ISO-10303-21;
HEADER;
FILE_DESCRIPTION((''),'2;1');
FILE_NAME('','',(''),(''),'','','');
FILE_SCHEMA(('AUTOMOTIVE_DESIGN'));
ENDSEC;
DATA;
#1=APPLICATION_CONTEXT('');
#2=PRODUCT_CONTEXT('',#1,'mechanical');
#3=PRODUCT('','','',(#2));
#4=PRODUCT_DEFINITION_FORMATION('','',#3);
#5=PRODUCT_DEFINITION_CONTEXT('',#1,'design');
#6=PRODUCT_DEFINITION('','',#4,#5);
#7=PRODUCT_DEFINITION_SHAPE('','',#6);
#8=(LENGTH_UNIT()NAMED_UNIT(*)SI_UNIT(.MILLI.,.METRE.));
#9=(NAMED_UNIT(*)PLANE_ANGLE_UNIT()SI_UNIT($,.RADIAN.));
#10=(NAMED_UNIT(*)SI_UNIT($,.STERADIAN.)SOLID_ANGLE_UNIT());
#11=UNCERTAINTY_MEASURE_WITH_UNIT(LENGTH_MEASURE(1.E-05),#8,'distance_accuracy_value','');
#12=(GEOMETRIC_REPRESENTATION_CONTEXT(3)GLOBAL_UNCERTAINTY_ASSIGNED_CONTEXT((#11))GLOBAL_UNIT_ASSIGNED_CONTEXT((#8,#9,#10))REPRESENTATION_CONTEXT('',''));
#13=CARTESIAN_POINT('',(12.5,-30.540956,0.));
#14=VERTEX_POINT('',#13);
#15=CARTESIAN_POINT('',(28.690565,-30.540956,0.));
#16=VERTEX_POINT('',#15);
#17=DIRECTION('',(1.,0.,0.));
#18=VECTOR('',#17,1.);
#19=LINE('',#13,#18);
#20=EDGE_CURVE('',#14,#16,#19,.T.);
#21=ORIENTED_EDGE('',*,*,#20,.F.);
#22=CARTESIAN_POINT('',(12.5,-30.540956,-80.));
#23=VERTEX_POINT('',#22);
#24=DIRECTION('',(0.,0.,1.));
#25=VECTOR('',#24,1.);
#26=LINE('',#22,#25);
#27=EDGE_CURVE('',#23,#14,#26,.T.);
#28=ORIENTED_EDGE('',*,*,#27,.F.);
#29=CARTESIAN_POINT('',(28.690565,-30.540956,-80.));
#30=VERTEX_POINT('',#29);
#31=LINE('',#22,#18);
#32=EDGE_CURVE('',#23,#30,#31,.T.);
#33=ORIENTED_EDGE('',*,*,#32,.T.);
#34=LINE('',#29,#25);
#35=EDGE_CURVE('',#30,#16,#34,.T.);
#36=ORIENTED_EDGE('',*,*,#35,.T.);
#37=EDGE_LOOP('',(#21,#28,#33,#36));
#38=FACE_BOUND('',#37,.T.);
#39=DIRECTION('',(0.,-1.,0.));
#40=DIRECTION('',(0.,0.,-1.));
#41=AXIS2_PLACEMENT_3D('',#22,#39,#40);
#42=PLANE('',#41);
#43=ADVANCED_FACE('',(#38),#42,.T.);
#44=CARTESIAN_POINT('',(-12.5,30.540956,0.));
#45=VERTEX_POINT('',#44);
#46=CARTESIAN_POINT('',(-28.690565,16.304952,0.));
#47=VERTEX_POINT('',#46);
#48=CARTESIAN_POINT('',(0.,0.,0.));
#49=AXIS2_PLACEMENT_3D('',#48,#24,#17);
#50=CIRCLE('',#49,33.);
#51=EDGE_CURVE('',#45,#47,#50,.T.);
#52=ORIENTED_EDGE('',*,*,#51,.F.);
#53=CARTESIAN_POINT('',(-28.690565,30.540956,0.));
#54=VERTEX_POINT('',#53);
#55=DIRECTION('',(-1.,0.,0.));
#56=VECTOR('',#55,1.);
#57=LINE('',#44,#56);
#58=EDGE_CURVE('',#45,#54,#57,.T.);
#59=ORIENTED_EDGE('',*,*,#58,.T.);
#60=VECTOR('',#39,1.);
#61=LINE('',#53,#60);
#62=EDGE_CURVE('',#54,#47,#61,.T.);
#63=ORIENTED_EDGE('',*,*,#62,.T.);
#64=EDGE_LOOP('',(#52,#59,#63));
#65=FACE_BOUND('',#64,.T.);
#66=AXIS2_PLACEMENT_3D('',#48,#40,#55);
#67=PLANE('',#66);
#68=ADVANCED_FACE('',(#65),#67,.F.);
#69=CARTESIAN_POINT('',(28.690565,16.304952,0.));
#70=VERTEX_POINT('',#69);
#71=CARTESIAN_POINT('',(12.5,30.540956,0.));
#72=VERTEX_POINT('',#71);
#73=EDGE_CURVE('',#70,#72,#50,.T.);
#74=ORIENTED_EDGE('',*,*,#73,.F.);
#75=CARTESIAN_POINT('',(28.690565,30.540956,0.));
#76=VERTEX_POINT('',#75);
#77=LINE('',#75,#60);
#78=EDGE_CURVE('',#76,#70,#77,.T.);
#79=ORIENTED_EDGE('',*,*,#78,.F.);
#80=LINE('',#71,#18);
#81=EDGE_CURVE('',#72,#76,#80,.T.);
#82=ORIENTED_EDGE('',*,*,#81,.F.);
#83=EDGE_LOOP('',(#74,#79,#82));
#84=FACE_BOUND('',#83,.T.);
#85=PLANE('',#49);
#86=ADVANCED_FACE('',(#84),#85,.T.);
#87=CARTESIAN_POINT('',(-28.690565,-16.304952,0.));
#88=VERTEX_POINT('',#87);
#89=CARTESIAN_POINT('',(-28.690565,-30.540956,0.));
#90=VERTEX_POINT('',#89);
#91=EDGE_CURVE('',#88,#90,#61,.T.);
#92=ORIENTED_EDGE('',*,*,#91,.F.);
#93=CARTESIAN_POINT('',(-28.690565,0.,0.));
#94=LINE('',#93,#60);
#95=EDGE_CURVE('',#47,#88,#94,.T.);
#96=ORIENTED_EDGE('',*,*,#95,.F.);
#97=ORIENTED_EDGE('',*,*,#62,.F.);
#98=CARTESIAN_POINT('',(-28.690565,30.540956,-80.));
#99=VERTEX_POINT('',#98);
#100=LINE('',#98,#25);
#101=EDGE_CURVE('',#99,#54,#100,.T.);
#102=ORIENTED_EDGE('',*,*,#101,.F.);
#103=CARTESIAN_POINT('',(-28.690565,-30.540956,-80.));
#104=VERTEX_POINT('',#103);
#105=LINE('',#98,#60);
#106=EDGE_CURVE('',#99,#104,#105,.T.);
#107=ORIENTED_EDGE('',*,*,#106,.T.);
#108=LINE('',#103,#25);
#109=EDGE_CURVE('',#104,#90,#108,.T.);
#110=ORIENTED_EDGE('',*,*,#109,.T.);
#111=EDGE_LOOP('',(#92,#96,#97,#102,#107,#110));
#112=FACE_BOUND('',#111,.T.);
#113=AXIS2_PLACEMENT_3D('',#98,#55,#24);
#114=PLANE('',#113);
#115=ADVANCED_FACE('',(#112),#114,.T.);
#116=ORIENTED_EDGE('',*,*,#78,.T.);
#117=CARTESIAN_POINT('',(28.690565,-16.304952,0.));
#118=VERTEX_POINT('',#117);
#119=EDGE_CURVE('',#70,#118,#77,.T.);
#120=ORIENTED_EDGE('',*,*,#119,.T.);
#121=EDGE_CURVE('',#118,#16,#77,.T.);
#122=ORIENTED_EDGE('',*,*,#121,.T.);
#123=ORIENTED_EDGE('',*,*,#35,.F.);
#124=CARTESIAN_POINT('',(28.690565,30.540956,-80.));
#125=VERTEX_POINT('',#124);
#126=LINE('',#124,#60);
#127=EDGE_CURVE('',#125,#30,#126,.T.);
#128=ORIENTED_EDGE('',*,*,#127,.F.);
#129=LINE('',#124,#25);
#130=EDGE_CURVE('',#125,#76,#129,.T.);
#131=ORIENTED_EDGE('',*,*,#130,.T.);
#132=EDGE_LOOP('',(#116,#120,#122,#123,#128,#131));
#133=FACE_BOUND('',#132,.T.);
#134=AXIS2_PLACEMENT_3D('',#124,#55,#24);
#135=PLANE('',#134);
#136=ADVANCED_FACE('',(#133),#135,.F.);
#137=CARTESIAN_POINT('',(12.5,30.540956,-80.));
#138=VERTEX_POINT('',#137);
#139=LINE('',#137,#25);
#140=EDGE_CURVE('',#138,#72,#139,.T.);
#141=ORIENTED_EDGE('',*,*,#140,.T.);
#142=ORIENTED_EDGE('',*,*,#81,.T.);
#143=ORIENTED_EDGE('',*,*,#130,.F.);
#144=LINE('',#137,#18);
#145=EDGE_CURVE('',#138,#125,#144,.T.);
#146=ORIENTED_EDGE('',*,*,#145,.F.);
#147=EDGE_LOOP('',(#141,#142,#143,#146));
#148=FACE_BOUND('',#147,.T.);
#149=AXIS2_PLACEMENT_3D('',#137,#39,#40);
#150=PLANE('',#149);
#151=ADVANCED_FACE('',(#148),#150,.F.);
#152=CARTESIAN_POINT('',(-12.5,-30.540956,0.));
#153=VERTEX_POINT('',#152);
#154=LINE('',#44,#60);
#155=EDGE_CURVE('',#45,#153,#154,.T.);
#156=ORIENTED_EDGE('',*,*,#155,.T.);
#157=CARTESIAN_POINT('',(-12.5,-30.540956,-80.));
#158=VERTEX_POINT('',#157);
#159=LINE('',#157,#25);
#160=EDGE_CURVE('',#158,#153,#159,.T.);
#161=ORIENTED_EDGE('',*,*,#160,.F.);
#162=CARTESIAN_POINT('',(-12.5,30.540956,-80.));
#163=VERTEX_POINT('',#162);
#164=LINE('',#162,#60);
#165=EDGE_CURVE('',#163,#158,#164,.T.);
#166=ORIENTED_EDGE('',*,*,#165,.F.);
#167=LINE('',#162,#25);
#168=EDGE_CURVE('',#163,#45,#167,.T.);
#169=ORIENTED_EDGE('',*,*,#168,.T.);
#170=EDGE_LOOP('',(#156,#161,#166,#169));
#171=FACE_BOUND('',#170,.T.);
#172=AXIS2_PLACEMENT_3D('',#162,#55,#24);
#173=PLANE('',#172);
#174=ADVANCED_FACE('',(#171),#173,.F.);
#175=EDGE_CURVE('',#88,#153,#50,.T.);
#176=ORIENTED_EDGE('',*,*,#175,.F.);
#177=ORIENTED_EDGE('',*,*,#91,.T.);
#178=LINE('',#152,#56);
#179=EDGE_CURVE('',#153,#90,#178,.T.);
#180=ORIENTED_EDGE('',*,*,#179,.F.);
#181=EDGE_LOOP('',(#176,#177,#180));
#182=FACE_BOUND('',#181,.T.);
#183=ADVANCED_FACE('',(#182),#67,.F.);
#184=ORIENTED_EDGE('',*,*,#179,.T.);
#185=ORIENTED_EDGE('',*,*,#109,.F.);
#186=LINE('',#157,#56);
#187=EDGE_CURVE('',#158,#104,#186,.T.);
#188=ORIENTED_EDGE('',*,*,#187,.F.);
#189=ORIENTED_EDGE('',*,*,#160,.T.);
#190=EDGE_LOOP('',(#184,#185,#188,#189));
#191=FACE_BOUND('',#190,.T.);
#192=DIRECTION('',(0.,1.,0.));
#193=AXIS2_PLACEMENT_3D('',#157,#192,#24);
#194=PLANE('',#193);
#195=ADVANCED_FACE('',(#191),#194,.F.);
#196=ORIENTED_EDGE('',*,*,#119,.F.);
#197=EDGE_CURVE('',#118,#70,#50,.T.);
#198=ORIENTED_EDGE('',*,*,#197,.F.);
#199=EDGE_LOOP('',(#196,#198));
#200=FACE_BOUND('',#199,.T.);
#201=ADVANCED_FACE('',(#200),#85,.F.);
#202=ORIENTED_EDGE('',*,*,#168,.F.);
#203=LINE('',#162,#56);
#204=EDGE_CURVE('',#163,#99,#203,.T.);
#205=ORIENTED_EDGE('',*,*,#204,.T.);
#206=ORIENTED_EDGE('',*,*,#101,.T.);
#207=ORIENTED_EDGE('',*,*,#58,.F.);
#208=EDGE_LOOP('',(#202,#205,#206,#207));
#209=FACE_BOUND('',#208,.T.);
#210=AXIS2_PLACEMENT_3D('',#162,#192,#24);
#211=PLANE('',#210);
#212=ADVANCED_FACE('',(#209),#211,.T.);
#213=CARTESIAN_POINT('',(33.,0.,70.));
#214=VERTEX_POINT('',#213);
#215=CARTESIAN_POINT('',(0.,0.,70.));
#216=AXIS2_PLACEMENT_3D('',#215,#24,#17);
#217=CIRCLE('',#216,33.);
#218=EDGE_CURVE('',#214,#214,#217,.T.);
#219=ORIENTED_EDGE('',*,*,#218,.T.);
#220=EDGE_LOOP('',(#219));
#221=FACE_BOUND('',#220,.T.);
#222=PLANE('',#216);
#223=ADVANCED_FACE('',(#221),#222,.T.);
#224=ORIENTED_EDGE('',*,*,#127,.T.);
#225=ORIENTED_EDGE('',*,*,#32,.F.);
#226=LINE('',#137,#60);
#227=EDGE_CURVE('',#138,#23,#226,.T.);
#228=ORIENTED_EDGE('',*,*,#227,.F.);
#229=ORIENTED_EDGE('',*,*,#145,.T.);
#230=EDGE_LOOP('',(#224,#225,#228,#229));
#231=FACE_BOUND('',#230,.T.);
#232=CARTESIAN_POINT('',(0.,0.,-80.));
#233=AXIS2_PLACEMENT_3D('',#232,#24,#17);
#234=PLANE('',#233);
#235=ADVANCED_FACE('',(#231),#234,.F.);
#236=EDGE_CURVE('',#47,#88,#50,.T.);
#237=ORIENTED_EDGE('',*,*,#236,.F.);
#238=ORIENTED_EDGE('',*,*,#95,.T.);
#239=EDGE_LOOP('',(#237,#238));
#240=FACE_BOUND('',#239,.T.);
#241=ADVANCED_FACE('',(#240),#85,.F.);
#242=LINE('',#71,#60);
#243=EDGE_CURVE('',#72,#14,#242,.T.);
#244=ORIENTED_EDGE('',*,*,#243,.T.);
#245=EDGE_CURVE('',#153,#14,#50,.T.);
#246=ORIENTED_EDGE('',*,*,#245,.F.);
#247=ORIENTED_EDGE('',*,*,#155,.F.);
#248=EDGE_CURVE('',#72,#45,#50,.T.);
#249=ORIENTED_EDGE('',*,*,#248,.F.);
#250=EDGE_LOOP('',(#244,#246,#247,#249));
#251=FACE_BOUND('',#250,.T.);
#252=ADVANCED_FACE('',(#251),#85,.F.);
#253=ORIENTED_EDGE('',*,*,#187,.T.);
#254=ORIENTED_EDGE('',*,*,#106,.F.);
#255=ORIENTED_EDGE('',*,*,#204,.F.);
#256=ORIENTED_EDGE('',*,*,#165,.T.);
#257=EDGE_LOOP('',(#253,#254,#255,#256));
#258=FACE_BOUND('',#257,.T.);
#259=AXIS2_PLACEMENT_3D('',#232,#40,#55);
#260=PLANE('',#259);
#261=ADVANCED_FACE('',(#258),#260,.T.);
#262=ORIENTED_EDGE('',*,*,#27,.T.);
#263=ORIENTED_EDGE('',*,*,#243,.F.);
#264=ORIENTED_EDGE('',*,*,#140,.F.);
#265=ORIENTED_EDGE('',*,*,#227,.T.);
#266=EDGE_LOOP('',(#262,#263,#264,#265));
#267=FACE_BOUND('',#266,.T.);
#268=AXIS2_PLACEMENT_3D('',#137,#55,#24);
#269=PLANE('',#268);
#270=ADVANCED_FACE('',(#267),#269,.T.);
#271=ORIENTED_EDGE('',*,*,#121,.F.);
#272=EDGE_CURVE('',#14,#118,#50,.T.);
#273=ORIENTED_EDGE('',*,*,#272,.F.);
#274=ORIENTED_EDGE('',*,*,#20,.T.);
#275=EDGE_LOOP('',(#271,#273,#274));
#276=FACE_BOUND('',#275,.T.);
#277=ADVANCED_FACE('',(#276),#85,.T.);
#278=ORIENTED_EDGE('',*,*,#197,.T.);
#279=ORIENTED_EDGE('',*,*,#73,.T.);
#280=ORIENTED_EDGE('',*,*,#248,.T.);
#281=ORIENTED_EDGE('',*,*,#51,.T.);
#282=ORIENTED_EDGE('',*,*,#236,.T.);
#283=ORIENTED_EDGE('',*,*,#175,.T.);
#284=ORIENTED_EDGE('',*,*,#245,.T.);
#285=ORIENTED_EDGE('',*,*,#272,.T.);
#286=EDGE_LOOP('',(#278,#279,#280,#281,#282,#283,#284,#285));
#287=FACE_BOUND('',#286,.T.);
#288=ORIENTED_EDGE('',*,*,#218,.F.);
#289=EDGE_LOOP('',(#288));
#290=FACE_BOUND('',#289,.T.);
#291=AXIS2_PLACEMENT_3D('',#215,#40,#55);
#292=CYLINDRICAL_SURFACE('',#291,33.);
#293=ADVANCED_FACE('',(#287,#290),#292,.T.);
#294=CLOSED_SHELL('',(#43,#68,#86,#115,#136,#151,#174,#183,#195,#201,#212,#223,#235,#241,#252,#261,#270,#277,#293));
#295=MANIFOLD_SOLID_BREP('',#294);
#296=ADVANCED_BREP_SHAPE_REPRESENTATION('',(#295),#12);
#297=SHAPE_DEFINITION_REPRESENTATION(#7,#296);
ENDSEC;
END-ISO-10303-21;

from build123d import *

# Parameters (mm, degrees)
SKETCH_1_R      = 33
EXTRUDE_1_DEPTH = 70
SKETCH_2_W      = 16.190565304
SKETCH_2_H      = 61.081912216
EXTRUDE_3_DEPTH = 80


with BuildPart() as part:
    # 草图1 → 凸台-拉伸1 (new body)
    with BuildSketch(Plane.XY):
        Circle(SKETCH_1_R)
    extrude(amount=EXTRUDE_1_DEPTH)

    # 草图2 → 凸台-拉伸3 (add)
    with BuildSketch(Plane(origin=(0, 0, 0), x_dir=(-1, 0, 0), z_dir=(0, 0, -1))):
        with Locations((-20.595282652, 0)):
            Rectangle(SKETCH_2_W, SKETCH_2_H)
        with Locations((20.595282652, 0)):
            Rectangle(SKETCH_2_W, SKETCH_2_H)
    extrude(amount=EXTRUDE_3_DEPTH)


solid = part.part
